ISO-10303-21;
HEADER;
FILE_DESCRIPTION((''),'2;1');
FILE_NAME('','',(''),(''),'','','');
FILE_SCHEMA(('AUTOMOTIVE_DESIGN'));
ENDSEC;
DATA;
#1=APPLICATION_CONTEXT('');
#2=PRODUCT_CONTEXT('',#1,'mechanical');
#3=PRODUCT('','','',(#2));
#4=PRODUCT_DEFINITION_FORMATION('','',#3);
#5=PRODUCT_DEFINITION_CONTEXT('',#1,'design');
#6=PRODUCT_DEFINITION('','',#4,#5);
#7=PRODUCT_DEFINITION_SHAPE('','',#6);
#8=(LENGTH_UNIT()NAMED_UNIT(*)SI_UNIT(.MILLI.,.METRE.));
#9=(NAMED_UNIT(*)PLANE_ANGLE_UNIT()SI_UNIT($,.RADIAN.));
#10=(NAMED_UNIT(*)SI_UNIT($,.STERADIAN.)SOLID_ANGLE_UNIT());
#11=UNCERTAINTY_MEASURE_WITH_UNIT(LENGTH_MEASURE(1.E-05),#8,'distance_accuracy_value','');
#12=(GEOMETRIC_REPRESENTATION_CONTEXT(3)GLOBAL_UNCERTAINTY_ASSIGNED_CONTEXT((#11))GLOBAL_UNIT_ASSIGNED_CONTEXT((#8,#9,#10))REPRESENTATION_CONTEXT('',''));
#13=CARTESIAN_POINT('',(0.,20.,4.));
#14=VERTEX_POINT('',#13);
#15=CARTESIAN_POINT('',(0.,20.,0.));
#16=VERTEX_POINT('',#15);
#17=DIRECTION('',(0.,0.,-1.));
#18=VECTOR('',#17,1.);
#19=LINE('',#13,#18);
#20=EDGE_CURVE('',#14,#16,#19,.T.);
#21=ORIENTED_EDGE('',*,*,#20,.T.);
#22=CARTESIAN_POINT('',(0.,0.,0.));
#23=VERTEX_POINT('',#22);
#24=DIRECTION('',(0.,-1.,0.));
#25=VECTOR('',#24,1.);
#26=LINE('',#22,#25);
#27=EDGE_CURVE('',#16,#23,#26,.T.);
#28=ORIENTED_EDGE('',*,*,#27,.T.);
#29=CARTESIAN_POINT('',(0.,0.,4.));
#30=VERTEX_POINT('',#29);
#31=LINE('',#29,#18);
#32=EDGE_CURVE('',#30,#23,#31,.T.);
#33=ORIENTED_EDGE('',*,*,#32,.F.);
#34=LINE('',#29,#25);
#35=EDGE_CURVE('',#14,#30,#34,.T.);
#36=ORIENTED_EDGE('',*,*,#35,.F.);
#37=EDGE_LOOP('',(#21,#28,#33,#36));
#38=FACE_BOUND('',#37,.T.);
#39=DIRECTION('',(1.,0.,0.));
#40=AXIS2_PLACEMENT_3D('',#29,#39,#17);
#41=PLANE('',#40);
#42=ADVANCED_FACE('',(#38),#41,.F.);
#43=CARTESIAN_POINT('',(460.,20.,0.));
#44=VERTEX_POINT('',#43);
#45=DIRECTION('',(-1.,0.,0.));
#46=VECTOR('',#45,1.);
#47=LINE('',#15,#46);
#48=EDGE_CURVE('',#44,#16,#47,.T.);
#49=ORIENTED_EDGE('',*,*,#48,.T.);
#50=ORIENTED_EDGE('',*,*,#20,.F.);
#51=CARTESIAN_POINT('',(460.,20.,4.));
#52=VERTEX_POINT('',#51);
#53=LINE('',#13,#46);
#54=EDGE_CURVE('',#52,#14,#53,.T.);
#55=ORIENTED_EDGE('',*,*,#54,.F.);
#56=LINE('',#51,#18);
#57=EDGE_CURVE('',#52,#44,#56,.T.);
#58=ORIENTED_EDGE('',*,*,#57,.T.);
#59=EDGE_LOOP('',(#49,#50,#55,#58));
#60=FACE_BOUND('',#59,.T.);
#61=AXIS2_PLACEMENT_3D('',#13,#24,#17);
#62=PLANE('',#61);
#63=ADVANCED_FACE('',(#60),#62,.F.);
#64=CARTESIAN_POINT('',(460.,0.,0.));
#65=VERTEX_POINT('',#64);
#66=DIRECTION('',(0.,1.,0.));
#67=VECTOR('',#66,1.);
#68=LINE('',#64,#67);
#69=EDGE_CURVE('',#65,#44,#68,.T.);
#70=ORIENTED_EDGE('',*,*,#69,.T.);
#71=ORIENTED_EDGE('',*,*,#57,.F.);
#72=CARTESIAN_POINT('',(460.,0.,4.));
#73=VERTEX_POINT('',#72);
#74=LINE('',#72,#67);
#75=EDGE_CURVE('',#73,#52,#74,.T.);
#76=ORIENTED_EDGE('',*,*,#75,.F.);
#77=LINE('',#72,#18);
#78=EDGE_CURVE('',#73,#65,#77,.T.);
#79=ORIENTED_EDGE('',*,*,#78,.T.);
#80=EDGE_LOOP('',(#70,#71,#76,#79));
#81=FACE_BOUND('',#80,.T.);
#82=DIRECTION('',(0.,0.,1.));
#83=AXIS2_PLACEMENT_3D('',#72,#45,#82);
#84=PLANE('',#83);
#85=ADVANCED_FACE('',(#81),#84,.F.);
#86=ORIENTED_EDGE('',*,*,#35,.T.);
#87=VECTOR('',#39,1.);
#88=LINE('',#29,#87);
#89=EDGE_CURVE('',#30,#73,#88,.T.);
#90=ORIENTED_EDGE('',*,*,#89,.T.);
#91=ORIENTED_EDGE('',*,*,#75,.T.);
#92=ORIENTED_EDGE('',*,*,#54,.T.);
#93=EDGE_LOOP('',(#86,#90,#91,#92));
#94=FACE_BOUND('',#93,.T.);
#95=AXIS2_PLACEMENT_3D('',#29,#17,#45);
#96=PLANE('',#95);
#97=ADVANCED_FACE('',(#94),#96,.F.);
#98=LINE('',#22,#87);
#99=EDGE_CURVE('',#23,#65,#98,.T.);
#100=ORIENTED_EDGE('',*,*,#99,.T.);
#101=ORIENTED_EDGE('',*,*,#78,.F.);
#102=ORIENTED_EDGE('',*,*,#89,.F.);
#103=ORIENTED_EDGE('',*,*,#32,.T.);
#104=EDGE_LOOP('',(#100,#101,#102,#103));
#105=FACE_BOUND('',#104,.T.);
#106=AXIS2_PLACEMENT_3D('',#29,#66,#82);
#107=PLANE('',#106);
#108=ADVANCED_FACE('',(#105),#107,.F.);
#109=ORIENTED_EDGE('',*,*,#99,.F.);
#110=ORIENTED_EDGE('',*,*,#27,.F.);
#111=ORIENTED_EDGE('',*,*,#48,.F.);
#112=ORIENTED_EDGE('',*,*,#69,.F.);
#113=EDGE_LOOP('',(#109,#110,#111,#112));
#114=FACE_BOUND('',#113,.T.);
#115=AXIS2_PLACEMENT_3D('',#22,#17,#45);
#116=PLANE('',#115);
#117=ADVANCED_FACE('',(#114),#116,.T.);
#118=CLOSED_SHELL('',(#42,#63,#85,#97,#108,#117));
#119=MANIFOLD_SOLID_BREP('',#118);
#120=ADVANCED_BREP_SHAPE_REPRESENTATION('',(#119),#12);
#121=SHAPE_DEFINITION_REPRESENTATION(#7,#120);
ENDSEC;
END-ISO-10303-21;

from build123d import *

# Parameters (mm, degrees)
SKETCH_1_W      = 460
SKETCH_1_H      = 20
EXTRUDE_1_DEPTH = 4


with BuildPart() as part:
    # Эскиз1 → Бобышка-Вытянуть1 (new body)
    with BuildSketch(Plane.XY):
        with Locations((230, 10)):
            Rectangle(SKETCH_1_W, SKETCH_1_H)
    extrude(amount=EXTRUDE_1_DEPTH)


solid = part.part
